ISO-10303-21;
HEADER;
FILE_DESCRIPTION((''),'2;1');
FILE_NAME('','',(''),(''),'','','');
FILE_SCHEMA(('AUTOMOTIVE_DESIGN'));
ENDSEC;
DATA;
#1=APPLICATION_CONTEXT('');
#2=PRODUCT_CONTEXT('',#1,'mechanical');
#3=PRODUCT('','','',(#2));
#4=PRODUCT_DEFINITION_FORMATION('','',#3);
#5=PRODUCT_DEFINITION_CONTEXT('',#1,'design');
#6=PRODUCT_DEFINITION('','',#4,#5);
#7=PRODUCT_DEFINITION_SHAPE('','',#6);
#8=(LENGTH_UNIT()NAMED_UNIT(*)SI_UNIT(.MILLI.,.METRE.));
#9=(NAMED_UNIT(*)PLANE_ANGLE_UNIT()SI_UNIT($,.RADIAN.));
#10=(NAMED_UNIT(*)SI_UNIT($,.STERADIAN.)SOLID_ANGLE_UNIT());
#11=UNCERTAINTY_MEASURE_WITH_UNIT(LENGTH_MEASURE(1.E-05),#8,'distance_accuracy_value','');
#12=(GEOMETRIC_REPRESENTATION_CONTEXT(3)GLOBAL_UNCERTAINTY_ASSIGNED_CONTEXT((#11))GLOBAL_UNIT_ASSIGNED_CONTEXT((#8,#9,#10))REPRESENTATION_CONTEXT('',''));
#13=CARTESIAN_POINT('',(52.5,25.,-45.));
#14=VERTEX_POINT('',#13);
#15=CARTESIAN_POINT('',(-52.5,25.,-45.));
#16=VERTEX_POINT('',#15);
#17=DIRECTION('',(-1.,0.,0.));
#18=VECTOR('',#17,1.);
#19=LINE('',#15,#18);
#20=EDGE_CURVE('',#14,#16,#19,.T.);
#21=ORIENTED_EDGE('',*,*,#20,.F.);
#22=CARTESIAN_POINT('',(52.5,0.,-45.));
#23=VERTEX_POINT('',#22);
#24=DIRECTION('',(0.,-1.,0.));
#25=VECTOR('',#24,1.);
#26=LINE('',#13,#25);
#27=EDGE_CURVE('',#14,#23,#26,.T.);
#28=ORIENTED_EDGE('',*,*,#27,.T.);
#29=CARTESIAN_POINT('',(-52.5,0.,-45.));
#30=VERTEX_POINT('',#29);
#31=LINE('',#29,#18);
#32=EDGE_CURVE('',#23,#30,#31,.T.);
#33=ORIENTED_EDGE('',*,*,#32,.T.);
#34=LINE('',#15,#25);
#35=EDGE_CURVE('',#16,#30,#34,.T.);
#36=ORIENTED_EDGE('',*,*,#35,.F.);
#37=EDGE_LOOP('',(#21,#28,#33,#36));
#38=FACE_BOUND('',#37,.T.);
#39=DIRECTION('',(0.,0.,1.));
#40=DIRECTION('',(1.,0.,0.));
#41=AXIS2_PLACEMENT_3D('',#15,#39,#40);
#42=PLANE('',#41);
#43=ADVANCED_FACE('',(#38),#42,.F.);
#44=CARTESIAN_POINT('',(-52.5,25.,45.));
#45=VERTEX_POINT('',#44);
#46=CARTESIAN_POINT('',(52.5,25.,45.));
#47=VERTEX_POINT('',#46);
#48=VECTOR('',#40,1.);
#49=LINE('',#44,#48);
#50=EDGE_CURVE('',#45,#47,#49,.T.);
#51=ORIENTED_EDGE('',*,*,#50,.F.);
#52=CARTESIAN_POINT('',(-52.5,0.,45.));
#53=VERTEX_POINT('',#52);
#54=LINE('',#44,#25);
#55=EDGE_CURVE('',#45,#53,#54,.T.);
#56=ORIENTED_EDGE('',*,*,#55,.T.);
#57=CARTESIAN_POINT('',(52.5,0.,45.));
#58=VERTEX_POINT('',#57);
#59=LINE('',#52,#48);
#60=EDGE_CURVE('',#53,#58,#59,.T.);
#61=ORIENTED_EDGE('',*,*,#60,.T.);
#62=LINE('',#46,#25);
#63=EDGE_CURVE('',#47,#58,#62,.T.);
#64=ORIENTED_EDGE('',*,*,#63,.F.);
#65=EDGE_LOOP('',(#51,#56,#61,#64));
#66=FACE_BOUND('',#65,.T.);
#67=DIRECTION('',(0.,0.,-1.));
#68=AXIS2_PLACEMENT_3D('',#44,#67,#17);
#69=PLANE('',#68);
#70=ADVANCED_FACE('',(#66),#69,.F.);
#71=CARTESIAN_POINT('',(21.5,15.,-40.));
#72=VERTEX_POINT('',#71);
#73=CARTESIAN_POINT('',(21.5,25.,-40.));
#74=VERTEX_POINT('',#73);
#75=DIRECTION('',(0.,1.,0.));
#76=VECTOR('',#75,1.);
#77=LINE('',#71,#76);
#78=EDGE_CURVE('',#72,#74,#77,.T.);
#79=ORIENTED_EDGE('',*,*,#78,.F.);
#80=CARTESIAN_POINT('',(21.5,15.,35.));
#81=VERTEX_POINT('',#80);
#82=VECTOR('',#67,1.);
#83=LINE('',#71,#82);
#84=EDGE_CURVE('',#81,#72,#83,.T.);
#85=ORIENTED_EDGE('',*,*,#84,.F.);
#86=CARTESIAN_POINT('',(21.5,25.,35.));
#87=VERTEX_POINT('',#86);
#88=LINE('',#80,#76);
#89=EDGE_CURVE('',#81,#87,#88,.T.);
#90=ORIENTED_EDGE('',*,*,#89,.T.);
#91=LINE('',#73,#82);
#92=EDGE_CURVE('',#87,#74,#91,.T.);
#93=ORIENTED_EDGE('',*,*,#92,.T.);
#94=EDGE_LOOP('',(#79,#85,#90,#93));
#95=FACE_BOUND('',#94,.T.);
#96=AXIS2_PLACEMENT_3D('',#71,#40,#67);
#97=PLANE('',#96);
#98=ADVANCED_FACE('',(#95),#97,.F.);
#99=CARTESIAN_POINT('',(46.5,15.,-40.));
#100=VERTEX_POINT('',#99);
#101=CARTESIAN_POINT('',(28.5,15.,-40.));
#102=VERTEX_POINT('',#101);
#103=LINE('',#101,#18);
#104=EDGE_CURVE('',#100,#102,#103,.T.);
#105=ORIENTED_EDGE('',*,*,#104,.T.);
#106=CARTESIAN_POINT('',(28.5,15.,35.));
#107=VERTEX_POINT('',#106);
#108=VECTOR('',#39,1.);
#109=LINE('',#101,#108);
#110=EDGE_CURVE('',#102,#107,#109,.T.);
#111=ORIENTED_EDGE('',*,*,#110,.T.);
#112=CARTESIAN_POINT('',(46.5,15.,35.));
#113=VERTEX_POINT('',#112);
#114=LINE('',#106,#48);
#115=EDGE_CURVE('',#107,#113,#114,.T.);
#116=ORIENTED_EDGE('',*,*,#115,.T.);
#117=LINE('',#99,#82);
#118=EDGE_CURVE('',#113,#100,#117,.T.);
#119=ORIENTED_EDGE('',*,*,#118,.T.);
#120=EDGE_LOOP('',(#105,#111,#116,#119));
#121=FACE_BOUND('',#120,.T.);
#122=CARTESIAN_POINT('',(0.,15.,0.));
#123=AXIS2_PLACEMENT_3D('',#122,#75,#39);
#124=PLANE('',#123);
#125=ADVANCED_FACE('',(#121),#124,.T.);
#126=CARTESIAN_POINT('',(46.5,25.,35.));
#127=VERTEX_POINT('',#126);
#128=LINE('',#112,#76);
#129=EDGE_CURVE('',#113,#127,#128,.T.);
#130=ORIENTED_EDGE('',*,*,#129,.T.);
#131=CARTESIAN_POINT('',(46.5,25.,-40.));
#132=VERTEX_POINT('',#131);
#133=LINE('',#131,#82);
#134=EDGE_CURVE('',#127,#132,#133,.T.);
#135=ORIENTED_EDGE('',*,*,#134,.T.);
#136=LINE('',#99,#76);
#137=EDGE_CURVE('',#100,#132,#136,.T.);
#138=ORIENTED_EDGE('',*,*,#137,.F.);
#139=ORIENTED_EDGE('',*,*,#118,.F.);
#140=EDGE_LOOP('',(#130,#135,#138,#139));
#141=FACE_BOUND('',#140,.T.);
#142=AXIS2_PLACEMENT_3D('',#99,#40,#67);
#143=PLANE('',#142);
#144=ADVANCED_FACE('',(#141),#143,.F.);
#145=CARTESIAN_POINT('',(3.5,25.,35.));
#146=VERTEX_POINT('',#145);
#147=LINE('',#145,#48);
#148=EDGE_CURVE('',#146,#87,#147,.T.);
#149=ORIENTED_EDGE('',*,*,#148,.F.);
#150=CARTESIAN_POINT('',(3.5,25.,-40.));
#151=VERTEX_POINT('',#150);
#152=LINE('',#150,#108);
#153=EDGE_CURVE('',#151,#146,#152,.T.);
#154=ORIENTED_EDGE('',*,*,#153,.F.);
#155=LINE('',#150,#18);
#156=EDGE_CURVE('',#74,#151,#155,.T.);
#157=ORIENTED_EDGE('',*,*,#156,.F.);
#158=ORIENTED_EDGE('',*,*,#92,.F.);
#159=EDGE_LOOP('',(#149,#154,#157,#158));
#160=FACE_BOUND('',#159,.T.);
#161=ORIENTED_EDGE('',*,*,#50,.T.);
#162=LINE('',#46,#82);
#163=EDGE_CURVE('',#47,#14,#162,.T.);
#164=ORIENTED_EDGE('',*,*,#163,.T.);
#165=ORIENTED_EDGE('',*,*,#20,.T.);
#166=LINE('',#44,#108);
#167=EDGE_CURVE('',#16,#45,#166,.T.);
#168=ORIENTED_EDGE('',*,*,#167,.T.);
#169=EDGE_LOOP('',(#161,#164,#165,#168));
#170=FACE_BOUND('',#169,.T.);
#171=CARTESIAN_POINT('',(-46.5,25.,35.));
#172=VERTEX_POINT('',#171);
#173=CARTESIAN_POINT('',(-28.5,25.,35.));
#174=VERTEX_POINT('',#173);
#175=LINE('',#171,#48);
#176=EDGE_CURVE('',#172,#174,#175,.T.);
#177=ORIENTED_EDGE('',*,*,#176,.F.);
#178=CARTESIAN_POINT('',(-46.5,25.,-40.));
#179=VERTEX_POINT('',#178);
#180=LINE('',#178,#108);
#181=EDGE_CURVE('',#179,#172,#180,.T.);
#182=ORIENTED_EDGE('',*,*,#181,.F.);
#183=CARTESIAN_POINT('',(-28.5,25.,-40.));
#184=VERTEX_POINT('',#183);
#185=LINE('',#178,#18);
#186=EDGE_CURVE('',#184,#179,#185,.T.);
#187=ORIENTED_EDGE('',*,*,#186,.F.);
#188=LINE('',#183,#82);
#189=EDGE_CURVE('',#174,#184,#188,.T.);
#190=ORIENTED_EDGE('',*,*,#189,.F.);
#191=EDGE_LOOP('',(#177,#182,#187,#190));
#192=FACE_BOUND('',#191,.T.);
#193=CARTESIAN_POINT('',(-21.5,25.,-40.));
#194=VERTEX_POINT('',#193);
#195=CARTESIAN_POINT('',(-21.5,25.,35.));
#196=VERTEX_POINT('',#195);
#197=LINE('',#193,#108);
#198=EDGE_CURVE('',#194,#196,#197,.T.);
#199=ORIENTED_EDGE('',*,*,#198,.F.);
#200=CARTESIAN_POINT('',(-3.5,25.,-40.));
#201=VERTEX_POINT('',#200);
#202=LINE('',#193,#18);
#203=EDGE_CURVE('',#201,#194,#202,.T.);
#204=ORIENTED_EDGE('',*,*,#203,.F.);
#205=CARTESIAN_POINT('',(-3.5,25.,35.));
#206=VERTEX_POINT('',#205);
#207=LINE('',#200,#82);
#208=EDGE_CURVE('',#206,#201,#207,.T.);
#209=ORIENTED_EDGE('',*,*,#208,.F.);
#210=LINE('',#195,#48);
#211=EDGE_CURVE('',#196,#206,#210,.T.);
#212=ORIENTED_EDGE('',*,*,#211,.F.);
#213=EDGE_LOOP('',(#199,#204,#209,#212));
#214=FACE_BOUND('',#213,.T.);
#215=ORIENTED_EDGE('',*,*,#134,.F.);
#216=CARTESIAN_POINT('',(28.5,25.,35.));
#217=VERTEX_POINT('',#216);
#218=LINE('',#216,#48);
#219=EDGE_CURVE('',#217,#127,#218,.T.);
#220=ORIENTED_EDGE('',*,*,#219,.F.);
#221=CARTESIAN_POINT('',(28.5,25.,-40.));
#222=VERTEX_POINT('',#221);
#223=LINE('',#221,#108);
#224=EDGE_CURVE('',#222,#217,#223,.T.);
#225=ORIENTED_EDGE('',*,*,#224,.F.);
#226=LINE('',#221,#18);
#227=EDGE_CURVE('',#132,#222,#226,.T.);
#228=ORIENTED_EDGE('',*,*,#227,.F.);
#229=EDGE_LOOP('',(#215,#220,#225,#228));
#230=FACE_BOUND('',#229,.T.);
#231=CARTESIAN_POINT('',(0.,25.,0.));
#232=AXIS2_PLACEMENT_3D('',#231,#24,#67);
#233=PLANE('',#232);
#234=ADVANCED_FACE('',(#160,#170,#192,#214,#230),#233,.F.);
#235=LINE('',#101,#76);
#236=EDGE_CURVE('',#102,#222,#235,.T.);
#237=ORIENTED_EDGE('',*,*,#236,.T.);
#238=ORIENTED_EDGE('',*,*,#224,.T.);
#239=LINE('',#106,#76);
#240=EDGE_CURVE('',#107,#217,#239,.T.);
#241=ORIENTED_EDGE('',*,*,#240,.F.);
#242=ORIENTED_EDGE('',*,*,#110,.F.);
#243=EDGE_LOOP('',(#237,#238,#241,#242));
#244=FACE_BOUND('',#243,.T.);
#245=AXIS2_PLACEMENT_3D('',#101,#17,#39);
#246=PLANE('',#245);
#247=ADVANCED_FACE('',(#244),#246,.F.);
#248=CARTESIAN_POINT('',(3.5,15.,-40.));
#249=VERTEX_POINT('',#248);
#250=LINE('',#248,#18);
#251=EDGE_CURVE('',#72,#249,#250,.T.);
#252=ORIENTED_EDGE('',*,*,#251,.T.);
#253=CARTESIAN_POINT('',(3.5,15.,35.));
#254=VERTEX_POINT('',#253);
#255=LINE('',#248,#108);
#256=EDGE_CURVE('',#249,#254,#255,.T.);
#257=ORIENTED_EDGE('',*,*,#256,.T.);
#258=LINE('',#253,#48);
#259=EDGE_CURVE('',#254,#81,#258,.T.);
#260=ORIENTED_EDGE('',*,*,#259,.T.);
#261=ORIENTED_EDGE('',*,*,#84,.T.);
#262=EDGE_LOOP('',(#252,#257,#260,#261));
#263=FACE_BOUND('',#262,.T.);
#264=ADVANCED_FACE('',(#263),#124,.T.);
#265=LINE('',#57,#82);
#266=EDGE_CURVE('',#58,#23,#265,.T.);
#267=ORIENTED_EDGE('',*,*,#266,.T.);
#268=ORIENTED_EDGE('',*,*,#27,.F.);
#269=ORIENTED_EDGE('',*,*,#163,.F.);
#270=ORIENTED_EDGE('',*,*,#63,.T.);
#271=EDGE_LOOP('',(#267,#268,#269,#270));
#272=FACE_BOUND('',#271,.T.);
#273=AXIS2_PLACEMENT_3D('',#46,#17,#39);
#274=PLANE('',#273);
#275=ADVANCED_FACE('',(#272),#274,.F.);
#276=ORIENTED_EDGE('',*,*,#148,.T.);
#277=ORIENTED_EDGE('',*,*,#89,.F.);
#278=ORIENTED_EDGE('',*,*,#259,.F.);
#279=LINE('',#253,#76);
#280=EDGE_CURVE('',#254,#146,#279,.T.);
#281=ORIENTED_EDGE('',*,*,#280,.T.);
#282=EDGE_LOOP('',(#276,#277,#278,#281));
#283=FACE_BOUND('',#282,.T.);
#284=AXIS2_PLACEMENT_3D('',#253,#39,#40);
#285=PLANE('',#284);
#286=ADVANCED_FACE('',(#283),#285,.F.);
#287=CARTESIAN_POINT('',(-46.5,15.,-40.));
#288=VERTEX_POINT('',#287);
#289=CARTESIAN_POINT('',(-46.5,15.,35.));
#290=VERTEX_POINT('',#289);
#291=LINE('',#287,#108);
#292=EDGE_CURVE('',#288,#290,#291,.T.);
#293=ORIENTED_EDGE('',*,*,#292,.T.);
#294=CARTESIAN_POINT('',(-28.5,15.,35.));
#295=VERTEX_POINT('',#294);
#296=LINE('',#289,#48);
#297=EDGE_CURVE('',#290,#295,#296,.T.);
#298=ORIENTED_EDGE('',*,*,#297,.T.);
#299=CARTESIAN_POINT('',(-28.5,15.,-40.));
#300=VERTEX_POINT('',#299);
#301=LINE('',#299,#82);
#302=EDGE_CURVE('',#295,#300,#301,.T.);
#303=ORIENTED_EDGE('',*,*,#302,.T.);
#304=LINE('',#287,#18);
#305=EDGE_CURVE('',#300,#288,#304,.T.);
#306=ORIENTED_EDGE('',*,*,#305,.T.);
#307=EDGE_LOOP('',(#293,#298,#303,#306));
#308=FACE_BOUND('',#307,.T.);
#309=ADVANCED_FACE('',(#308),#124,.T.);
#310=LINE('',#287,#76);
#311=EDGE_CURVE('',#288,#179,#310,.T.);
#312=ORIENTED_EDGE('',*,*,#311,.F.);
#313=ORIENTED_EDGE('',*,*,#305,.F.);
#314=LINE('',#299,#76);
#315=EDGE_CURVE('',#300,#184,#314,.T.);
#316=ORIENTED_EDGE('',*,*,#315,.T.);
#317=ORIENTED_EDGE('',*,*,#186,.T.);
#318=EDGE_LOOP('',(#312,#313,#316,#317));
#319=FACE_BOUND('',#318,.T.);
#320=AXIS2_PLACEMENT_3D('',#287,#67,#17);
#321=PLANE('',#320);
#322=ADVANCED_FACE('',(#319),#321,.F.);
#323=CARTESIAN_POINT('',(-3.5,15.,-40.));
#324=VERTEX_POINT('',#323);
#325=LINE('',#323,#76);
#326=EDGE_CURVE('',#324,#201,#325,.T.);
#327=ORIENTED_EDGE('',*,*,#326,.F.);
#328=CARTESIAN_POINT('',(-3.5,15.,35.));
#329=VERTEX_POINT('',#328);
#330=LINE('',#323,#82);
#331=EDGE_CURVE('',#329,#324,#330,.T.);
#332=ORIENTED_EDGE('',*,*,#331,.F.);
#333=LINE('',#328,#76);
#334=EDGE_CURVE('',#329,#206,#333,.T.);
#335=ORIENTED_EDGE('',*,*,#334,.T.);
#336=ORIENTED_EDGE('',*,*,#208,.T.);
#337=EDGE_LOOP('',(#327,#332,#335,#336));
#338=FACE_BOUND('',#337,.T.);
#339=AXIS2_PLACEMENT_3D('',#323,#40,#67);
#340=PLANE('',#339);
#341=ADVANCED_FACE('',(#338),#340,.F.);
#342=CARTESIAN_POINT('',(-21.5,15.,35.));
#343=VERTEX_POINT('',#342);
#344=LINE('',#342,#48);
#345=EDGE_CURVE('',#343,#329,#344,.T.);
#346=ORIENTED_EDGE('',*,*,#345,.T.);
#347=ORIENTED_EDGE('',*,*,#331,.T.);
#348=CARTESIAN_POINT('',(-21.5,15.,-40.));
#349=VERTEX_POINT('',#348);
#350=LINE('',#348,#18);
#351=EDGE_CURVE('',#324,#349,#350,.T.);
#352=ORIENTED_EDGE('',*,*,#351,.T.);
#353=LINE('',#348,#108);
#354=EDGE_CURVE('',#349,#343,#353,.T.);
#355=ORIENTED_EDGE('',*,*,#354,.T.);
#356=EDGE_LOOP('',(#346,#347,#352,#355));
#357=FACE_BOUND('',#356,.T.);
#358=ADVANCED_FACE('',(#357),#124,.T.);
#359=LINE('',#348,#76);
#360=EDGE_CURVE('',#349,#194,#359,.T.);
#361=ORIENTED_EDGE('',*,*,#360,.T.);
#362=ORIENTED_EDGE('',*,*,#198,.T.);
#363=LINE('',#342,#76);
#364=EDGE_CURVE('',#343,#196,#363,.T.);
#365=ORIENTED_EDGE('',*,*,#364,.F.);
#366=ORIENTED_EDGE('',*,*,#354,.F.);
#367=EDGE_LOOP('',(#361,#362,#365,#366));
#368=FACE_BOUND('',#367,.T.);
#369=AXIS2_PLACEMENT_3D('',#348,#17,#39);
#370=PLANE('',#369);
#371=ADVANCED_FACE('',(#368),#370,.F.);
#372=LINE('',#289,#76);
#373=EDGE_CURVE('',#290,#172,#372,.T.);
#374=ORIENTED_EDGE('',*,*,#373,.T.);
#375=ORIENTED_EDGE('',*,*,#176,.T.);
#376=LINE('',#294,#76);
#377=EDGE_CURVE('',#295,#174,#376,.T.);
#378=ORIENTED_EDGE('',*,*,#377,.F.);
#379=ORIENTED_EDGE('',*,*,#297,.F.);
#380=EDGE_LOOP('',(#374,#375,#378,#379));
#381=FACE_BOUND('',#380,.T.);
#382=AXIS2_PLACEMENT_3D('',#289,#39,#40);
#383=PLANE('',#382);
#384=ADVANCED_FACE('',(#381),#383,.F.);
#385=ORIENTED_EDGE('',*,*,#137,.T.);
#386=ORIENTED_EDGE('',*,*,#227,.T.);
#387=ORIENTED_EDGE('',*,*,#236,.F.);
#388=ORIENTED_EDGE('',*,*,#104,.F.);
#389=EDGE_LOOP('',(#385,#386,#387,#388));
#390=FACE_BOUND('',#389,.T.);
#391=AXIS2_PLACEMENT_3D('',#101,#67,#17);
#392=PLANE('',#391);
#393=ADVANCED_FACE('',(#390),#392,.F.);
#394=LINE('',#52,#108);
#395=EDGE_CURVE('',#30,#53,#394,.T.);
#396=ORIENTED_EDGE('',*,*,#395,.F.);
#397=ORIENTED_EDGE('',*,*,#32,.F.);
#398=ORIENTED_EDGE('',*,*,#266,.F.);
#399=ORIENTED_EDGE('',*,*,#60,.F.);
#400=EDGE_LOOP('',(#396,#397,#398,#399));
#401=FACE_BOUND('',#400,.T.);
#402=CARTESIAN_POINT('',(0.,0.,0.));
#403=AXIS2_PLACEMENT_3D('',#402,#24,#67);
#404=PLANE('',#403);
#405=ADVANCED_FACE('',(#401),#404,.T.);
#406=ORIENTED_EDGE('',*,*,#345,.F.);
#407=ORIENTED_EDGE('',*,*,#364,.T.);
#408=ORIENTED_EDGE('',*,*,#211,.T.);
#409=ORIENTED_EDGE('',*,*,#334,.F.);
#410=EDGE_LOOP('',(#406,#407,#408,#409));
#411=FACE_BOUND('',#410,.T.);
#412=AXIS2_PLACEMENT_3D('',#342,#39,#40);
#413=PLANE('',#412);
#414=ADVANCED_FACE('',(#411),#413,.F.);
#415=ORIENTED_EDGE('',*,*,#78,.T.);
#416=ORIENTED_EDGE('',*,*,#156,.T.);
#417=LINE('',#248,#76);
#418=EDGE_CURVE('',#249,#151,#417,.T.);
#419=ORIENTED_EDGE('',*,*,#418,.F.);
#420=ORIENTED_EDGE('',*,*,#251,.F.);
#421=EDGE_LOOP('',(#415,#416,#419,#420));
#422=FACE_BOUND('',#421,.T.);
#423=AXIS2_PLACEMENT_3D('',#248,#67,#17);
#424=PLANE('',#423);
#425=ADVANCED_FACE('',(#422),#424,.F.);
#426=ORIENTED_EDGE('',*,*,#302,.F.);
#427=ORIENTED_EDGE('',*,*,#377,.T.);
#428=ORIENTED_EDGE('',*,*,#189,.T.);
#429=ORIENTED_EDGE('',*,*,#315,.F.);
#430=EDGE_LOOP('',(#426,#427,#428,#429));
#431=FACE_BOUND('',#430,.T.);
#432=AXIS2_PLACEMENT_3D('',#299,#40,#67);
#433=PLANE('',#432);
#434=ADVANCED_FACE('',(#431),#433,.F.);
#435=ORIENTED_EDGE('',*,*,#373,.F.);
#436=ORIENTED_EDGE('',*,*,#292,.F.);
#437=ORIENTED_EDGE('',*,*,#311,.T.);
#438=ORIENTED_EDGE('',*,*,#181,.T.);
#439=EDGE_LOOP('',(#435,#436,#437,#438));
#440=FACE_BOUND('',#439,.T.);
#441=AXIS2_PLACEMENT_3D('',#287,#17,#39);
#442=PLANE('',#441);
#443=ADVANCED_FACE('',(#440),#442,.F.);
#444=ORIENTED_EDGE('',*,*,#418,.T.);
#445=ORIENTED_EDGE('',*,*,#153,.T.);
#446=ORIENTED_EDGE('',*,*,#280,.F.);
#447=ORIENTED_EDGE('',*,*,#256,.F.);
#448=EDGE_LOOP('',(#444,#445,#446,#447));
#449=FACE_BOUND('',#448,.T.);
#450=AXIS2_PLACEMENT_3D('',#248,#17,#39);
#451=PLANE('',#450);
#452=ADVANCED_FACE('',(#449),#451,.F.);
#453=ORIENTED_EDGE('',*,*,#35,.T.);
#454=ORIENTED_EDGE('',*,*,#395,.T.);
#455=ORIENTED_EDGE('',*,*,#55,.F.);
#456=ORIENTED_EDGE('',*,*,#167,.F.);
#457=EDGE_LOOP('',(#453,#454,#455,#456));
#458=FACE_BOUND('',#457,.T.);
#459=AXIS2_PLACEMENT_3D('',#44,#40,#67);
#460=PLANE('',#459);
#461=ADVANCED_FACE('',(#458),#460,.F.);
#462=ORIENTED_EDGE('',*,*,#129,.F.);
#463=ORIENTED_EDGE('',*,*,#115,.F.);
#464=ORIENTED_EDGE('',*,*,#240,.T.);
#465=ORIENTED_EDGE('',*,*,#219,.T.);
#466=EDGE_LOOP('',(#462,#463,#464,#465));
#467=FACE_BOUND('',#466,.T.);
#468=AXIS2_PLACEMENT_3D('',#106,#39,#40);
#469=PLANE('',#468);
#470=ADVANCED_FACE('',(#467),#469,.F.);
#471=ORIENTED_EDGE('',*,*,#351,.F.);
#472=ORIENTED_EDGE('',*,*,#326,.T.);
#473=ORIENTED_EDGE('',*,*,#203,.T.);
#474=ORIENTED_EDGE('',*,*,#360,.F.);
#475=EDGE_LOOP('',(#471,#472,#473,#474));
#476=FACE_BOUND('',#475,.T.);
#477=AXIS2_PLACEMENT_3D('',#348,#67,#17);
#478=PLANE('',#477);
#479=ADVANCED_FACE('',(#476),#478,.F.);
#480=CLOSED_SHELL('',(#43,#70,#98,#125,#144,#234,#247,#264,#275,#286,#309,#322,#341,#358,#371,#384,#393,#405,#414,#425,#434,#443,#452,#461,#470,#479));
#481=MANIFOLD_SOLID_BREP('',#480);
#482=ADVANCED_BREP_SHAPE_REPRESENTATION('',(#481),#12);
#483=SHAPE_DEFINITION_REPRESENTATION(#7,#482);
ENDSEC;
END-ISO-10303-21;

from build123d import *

# Parameters (mm, degrees)
SKETCH1_W           = 105
SKETCH1_H           = 90
BOSS_EXTRUDE1_DEPTH = 25
SKETCH2_W           = 18
SKETCH2_H           = 75
CUT_EXTRUDE1_DEPTH  = 10


with BuildPart() as part:
    # Sketch1 → Boss-Extrude1 (new body)
    with BuildSketch(Plane(origin=(0, 0, 0), x_dir=(1, 0, 0), z_dir=(0, 1, 0))):
        Rectangle(SKETCH1_W, SKETCH1_H)
    extrude(amount=BOSS_EXTRUDE1_DEPTH)

    # Sketch2 → Cut-Extrude1 (cut)
    with BuildSketch(Plane(origin=(0, 25, 0), x_dir=(1, 0, 0), z_dir=(0, 1, 0))):
        with Locations((-37.5, 2.5)):
            Rectangle(SKETCH2_W, SKETCH2_H)
        with Locations((-12.5, 2.5)):
            Rectangle(SKETCH2_W, SKETCH2_H)
        with Locations((12.5, 2.5)):
            Rectangle(SKETCH2_W, SKETCH2_H)
        with Locations((37.5, 2.5)):
            Rectangle(SKETCH2_W, SKETCH2_H)
    extrude(amount=-CUT_EXTRUDE1_DEPTH, mode=Mode.SUBTRACT)


solid = part.part
